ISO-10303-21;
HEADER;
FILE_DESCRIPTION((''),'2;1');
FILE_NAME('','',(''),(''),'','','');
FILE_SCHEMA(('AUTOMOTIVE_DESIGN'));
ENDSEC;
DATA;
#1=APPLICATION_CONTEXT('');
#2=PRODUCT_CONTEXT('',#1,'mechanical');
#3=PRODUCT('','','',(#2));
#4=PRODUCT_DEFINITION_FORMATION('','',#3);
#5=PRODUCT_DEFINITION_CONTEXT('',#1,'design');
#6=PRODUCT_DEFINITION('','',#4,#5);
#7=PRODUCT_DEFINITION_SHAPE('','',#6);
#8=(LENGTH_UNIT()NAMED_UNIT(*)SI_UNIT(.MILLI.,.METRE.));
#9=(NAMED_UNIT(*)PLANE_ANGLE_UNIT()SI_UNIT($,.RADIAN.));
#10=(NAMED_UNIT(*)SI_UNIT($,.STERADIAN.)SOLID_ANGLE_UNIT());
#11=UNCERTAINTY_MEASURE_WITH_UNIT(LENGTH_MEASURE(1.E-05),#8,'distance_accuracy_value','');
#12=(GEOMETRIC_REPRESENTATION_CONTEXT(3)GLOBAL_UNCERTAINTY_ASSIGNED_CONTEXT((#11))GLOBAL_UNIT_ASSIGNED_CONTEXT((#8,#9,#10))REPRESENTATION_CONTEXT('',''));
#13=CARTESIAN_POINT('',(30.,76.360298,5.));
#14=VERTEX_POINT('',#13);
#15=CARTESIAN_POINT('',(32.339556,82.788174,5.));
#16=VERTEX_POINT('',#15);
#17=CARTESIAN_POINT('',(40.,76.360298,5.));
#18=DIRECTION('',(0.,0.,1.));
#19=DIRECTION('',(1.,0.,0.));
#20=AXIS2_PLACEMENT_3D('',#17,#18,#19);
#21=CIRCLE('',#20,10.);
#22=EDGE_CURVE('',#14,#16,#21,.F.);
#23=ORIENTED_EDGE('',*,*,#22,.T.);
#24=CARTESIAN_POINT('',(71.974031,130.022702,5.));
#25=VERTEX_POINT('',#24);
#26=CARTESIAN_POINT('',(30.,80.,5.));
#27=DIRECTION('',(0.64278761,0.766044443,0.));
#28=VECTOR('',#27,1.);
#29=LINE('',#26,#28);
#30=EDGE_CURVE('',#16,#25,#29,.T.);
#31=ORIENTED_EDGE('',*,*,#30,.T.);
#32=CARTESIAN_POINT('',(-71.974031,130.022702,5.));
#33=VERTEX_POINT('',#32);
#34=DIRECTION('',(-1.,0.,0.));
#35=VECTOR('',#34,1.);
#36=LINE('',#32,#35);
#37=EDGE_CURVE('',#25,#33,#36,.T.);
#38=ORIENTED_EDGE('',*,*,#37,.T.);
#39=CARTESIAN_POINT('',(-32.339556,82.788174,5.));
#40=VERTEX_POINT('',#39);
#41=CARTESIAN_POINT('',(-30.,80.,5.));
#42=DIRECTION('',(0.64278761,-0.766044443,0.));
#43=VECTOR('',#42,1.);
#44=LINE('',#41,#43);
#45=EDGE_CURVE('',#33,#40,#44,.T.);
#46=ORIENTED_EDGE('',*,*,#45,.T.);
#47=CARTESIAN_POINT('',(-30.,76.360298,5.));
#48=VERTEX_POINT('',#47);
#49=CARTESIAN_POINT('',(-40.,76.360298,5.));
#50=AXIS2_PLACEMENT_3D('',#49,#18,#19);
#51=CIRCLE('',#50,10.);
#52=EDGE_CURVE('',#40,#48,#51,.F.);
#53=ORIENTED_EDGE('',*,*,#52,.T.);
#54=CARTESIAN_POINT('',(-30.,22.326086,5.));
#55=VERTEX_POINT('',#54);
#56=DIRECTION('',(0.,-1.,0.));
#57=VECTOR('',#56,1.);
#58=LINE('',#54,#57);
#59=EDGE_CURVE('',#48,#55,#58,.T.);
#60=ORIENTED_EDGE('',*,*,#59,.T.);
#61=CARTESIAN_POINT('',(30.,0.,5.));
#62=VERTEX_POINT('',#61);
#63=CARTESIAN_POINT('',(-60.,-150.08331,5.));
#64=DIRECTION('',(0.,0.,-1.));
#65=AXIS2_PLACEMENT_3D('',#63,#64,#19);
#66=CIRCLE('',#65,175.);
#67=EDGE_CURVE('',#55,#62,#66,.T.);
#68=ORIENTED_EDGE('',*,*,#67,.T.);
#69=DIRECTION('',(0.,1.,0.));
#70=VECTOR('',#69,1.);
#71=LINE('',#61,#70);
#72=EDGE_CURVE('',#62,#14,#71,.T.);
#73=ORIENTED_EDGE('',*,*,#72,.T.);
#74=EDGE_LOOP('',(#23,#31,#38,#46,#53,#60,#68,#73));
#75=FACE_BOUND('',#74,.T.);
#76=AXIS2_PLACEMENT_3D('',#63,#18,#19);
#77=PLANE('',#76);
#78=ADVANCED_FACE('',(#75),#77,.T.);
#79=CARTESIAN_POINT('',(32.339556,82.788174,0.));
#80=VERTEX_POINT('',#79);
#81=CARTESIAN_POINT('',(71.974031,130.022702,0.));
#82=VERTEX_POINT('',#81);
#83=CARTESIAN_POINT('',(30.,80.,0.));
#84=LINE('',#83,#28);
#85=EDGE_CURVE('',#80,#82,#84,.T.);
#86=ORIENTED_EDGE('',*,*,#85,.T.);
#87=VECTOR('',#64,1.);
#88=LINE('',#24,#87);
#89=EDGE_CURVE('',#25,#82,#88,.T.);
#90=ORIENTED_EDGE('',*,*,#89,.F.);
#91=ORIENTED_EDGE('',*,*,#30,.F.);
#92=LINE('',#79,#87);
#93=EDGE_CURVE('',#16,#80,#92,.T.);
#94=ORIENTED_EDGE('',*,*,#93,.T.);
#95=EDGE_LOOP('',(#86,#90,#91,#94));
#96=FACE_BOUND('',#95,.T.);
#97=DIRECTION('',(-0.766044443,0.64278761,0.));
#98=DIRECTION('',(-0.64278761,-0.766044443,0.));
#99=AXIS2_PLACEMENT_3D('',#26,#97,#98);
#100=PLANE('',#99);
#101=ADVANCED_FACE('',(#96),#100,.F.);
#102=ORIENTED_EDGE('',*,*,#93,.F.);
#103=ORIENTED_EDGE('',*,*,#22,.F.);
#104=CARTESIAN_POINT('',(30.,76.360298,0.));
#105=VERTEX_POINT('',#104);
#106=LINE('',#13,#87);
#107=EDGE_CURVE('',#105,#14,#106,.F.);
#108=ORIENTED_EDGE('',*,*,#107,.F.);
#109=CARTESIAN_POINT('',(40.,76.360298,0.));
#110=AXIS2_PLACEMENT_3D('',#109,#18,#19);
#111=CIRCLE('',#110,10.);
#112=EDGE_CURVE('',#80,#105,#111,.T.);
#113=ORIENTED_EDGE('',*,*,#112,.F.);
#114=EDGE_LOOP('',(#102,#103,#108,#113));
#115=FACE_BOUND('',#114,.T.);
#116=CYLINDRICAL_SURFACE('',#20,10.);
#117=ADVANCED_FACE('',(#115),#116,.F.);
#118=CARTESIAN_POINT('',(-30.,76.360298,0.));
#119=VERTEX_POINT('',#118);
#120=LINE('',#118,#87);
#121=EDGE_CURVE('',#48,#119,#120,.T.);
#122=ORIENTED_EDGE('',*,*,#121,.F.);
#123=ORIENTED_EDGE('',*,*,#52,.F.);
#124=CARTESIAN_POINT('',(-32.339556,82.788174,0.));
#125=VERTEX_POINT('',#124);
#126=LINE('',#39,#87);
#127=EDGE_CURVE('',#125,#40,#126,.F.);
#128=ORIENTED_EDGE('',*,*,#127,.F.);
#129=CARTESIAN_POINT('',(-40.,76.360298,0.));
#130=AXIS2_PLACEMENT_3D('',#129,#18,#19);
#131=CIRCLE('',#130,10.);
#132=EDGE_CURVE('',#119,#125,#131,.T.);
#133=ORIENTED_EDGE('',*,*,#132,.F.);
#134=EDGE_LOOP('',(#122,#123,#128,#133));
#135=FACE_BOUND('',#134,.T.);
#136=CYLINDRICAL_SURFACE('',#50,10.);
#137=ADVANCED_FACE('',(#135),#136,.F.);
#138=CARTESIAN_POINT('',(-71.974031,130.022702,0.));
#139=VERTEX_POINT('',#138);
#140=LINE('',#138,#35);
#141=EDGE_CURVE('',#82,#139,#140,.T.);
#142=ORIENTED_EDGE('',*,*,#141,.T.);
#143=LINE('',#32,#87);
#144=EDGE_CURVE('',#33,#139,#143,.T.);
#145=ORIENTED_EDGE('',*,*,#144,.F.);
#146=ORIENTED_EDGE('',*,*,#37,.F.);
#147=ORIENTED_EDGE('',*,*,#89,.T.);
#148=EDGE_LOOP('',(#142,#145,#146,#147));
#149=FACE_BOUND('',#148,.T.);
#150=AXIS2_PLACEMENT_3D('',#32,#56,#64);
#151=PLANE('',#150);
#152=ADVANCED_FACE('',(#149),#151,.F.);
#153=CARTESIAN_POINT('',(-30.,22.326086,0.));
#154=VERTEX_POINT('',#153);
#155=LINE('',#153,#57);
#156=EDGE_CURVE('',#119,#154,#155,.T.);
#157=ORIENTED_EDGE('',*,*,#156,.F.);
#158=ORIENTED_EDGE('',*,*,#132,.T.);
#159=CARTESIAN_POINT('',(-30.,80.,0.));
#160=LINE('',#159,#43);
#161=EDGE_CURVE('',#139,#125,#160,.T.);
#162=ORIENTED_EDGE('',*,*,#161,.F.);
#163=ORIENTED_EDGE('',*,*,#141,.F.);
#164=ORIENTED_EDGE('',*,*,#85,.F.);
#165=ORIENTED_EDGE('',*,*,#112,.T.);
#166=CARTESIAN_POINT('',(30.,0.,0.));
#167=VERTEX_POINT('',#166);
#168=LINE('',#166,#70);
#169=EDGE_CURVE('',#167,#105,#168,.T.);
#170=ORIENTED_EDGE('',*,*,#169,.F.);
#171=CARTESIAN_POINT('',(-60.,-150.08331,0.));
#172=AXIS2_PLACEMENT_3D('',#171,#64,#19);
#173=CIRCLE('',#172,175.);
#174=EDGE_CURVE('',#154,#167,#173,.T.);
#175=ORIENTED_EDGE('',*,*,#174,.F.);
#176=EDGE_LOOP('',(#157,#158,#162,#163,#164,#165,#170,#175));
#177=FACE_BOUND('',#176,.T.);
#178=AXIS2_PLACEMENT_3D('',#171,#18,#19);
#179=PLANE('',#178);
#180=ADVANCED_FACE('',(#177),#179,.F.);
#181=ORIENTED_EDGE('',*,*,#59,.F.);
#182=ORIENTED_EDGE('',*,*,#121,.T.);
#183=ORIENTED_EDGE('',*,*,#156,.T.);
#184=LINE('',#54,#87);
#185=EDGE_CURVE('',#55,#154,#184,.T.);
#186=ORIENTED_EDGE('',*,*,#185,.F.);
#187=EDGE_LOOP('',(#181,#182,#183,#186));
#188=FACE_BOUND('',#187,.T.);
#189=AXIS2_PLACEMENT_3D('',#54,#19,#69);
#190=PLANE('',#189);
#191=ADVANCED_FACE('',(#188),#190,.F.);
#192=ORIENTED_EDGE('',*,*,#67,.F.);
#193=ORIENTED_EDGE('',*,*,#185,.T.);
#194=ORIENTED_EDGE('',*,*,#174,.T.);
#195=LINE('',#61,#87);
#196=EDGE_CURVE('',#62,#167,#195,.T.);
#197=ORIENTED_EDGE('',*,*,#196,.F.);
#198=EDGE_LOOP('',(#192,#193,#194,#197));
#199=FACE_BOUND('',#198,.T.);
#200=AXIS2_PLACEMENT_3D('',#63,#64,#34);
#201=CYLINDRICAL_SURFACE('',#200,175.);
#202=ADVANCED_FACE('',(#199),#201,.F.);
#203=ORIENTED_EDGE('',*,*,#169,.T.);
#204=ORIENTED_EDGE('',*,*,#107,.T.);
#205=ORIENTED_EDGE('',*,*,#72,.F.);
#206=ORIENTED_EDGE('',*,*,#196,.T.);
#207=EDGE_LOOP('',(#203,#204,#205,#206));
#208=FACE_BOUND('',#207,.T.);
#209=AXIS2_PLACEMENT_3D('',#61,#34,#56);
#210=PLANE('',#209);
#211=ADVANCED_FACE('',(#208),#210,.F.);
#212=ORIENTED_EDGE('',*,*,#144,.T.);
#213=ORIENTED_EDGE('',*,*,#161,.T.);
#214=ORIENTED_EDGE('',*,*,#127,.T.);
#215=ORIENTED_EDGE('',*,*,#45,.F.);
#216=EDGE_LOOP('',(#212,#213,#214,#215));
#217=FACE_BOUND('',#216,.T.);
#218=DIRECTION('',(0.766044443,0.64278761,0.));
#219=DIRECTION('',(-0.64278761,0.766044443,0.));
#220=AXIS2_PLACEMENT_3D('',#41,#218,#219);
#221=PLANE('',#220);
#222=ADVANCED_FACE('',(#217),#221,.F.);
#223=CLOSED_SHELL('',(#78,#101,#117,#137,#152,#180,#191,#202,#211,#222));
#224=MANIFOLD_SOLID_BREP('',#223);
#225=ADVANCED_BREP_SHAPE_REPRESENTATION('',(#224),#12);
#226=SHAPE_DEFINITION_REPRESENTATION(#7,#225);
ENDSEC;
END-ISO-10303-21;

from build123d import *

# Parameters (mm, degrees)
FUNNEL_SIDE_PANEL_DEPTH = 5
FILLET1_R               = 10


with BuildPart() as part:
    # Sketch1 → Funnel - Side Panel (new body)
    with BuildSketch(Plane.XY):
        with BuildLine():
            Line((30, 0), (30, 80))
            Line((30, 80), (71.974030913, 130.022702136))
            Line((71.974030913, 130.022702136), (-71.974030913, 130.022702136))
            Line((-71.974030913, 130.022702136), (-30, 80))
            Line((-30, 80), (-30, 22.326086298))
            ThreePointArc((-30, 22.326086298), (1.02961193, 13.930062634), (30, 0))
        make_face()
    extrude(amount=FUNNEL_SIDE_PANEL_DEPTH)

    # Fillet1
    fillet1_edges = [part.edges().sort_by_distance(p)[0] for p in [
        (-30, 80, 2.5),
        (30, 80, 2.5),
    ]]
    fillet(fillet1_edges, radius=FILLET1_R)


solid = part.part
